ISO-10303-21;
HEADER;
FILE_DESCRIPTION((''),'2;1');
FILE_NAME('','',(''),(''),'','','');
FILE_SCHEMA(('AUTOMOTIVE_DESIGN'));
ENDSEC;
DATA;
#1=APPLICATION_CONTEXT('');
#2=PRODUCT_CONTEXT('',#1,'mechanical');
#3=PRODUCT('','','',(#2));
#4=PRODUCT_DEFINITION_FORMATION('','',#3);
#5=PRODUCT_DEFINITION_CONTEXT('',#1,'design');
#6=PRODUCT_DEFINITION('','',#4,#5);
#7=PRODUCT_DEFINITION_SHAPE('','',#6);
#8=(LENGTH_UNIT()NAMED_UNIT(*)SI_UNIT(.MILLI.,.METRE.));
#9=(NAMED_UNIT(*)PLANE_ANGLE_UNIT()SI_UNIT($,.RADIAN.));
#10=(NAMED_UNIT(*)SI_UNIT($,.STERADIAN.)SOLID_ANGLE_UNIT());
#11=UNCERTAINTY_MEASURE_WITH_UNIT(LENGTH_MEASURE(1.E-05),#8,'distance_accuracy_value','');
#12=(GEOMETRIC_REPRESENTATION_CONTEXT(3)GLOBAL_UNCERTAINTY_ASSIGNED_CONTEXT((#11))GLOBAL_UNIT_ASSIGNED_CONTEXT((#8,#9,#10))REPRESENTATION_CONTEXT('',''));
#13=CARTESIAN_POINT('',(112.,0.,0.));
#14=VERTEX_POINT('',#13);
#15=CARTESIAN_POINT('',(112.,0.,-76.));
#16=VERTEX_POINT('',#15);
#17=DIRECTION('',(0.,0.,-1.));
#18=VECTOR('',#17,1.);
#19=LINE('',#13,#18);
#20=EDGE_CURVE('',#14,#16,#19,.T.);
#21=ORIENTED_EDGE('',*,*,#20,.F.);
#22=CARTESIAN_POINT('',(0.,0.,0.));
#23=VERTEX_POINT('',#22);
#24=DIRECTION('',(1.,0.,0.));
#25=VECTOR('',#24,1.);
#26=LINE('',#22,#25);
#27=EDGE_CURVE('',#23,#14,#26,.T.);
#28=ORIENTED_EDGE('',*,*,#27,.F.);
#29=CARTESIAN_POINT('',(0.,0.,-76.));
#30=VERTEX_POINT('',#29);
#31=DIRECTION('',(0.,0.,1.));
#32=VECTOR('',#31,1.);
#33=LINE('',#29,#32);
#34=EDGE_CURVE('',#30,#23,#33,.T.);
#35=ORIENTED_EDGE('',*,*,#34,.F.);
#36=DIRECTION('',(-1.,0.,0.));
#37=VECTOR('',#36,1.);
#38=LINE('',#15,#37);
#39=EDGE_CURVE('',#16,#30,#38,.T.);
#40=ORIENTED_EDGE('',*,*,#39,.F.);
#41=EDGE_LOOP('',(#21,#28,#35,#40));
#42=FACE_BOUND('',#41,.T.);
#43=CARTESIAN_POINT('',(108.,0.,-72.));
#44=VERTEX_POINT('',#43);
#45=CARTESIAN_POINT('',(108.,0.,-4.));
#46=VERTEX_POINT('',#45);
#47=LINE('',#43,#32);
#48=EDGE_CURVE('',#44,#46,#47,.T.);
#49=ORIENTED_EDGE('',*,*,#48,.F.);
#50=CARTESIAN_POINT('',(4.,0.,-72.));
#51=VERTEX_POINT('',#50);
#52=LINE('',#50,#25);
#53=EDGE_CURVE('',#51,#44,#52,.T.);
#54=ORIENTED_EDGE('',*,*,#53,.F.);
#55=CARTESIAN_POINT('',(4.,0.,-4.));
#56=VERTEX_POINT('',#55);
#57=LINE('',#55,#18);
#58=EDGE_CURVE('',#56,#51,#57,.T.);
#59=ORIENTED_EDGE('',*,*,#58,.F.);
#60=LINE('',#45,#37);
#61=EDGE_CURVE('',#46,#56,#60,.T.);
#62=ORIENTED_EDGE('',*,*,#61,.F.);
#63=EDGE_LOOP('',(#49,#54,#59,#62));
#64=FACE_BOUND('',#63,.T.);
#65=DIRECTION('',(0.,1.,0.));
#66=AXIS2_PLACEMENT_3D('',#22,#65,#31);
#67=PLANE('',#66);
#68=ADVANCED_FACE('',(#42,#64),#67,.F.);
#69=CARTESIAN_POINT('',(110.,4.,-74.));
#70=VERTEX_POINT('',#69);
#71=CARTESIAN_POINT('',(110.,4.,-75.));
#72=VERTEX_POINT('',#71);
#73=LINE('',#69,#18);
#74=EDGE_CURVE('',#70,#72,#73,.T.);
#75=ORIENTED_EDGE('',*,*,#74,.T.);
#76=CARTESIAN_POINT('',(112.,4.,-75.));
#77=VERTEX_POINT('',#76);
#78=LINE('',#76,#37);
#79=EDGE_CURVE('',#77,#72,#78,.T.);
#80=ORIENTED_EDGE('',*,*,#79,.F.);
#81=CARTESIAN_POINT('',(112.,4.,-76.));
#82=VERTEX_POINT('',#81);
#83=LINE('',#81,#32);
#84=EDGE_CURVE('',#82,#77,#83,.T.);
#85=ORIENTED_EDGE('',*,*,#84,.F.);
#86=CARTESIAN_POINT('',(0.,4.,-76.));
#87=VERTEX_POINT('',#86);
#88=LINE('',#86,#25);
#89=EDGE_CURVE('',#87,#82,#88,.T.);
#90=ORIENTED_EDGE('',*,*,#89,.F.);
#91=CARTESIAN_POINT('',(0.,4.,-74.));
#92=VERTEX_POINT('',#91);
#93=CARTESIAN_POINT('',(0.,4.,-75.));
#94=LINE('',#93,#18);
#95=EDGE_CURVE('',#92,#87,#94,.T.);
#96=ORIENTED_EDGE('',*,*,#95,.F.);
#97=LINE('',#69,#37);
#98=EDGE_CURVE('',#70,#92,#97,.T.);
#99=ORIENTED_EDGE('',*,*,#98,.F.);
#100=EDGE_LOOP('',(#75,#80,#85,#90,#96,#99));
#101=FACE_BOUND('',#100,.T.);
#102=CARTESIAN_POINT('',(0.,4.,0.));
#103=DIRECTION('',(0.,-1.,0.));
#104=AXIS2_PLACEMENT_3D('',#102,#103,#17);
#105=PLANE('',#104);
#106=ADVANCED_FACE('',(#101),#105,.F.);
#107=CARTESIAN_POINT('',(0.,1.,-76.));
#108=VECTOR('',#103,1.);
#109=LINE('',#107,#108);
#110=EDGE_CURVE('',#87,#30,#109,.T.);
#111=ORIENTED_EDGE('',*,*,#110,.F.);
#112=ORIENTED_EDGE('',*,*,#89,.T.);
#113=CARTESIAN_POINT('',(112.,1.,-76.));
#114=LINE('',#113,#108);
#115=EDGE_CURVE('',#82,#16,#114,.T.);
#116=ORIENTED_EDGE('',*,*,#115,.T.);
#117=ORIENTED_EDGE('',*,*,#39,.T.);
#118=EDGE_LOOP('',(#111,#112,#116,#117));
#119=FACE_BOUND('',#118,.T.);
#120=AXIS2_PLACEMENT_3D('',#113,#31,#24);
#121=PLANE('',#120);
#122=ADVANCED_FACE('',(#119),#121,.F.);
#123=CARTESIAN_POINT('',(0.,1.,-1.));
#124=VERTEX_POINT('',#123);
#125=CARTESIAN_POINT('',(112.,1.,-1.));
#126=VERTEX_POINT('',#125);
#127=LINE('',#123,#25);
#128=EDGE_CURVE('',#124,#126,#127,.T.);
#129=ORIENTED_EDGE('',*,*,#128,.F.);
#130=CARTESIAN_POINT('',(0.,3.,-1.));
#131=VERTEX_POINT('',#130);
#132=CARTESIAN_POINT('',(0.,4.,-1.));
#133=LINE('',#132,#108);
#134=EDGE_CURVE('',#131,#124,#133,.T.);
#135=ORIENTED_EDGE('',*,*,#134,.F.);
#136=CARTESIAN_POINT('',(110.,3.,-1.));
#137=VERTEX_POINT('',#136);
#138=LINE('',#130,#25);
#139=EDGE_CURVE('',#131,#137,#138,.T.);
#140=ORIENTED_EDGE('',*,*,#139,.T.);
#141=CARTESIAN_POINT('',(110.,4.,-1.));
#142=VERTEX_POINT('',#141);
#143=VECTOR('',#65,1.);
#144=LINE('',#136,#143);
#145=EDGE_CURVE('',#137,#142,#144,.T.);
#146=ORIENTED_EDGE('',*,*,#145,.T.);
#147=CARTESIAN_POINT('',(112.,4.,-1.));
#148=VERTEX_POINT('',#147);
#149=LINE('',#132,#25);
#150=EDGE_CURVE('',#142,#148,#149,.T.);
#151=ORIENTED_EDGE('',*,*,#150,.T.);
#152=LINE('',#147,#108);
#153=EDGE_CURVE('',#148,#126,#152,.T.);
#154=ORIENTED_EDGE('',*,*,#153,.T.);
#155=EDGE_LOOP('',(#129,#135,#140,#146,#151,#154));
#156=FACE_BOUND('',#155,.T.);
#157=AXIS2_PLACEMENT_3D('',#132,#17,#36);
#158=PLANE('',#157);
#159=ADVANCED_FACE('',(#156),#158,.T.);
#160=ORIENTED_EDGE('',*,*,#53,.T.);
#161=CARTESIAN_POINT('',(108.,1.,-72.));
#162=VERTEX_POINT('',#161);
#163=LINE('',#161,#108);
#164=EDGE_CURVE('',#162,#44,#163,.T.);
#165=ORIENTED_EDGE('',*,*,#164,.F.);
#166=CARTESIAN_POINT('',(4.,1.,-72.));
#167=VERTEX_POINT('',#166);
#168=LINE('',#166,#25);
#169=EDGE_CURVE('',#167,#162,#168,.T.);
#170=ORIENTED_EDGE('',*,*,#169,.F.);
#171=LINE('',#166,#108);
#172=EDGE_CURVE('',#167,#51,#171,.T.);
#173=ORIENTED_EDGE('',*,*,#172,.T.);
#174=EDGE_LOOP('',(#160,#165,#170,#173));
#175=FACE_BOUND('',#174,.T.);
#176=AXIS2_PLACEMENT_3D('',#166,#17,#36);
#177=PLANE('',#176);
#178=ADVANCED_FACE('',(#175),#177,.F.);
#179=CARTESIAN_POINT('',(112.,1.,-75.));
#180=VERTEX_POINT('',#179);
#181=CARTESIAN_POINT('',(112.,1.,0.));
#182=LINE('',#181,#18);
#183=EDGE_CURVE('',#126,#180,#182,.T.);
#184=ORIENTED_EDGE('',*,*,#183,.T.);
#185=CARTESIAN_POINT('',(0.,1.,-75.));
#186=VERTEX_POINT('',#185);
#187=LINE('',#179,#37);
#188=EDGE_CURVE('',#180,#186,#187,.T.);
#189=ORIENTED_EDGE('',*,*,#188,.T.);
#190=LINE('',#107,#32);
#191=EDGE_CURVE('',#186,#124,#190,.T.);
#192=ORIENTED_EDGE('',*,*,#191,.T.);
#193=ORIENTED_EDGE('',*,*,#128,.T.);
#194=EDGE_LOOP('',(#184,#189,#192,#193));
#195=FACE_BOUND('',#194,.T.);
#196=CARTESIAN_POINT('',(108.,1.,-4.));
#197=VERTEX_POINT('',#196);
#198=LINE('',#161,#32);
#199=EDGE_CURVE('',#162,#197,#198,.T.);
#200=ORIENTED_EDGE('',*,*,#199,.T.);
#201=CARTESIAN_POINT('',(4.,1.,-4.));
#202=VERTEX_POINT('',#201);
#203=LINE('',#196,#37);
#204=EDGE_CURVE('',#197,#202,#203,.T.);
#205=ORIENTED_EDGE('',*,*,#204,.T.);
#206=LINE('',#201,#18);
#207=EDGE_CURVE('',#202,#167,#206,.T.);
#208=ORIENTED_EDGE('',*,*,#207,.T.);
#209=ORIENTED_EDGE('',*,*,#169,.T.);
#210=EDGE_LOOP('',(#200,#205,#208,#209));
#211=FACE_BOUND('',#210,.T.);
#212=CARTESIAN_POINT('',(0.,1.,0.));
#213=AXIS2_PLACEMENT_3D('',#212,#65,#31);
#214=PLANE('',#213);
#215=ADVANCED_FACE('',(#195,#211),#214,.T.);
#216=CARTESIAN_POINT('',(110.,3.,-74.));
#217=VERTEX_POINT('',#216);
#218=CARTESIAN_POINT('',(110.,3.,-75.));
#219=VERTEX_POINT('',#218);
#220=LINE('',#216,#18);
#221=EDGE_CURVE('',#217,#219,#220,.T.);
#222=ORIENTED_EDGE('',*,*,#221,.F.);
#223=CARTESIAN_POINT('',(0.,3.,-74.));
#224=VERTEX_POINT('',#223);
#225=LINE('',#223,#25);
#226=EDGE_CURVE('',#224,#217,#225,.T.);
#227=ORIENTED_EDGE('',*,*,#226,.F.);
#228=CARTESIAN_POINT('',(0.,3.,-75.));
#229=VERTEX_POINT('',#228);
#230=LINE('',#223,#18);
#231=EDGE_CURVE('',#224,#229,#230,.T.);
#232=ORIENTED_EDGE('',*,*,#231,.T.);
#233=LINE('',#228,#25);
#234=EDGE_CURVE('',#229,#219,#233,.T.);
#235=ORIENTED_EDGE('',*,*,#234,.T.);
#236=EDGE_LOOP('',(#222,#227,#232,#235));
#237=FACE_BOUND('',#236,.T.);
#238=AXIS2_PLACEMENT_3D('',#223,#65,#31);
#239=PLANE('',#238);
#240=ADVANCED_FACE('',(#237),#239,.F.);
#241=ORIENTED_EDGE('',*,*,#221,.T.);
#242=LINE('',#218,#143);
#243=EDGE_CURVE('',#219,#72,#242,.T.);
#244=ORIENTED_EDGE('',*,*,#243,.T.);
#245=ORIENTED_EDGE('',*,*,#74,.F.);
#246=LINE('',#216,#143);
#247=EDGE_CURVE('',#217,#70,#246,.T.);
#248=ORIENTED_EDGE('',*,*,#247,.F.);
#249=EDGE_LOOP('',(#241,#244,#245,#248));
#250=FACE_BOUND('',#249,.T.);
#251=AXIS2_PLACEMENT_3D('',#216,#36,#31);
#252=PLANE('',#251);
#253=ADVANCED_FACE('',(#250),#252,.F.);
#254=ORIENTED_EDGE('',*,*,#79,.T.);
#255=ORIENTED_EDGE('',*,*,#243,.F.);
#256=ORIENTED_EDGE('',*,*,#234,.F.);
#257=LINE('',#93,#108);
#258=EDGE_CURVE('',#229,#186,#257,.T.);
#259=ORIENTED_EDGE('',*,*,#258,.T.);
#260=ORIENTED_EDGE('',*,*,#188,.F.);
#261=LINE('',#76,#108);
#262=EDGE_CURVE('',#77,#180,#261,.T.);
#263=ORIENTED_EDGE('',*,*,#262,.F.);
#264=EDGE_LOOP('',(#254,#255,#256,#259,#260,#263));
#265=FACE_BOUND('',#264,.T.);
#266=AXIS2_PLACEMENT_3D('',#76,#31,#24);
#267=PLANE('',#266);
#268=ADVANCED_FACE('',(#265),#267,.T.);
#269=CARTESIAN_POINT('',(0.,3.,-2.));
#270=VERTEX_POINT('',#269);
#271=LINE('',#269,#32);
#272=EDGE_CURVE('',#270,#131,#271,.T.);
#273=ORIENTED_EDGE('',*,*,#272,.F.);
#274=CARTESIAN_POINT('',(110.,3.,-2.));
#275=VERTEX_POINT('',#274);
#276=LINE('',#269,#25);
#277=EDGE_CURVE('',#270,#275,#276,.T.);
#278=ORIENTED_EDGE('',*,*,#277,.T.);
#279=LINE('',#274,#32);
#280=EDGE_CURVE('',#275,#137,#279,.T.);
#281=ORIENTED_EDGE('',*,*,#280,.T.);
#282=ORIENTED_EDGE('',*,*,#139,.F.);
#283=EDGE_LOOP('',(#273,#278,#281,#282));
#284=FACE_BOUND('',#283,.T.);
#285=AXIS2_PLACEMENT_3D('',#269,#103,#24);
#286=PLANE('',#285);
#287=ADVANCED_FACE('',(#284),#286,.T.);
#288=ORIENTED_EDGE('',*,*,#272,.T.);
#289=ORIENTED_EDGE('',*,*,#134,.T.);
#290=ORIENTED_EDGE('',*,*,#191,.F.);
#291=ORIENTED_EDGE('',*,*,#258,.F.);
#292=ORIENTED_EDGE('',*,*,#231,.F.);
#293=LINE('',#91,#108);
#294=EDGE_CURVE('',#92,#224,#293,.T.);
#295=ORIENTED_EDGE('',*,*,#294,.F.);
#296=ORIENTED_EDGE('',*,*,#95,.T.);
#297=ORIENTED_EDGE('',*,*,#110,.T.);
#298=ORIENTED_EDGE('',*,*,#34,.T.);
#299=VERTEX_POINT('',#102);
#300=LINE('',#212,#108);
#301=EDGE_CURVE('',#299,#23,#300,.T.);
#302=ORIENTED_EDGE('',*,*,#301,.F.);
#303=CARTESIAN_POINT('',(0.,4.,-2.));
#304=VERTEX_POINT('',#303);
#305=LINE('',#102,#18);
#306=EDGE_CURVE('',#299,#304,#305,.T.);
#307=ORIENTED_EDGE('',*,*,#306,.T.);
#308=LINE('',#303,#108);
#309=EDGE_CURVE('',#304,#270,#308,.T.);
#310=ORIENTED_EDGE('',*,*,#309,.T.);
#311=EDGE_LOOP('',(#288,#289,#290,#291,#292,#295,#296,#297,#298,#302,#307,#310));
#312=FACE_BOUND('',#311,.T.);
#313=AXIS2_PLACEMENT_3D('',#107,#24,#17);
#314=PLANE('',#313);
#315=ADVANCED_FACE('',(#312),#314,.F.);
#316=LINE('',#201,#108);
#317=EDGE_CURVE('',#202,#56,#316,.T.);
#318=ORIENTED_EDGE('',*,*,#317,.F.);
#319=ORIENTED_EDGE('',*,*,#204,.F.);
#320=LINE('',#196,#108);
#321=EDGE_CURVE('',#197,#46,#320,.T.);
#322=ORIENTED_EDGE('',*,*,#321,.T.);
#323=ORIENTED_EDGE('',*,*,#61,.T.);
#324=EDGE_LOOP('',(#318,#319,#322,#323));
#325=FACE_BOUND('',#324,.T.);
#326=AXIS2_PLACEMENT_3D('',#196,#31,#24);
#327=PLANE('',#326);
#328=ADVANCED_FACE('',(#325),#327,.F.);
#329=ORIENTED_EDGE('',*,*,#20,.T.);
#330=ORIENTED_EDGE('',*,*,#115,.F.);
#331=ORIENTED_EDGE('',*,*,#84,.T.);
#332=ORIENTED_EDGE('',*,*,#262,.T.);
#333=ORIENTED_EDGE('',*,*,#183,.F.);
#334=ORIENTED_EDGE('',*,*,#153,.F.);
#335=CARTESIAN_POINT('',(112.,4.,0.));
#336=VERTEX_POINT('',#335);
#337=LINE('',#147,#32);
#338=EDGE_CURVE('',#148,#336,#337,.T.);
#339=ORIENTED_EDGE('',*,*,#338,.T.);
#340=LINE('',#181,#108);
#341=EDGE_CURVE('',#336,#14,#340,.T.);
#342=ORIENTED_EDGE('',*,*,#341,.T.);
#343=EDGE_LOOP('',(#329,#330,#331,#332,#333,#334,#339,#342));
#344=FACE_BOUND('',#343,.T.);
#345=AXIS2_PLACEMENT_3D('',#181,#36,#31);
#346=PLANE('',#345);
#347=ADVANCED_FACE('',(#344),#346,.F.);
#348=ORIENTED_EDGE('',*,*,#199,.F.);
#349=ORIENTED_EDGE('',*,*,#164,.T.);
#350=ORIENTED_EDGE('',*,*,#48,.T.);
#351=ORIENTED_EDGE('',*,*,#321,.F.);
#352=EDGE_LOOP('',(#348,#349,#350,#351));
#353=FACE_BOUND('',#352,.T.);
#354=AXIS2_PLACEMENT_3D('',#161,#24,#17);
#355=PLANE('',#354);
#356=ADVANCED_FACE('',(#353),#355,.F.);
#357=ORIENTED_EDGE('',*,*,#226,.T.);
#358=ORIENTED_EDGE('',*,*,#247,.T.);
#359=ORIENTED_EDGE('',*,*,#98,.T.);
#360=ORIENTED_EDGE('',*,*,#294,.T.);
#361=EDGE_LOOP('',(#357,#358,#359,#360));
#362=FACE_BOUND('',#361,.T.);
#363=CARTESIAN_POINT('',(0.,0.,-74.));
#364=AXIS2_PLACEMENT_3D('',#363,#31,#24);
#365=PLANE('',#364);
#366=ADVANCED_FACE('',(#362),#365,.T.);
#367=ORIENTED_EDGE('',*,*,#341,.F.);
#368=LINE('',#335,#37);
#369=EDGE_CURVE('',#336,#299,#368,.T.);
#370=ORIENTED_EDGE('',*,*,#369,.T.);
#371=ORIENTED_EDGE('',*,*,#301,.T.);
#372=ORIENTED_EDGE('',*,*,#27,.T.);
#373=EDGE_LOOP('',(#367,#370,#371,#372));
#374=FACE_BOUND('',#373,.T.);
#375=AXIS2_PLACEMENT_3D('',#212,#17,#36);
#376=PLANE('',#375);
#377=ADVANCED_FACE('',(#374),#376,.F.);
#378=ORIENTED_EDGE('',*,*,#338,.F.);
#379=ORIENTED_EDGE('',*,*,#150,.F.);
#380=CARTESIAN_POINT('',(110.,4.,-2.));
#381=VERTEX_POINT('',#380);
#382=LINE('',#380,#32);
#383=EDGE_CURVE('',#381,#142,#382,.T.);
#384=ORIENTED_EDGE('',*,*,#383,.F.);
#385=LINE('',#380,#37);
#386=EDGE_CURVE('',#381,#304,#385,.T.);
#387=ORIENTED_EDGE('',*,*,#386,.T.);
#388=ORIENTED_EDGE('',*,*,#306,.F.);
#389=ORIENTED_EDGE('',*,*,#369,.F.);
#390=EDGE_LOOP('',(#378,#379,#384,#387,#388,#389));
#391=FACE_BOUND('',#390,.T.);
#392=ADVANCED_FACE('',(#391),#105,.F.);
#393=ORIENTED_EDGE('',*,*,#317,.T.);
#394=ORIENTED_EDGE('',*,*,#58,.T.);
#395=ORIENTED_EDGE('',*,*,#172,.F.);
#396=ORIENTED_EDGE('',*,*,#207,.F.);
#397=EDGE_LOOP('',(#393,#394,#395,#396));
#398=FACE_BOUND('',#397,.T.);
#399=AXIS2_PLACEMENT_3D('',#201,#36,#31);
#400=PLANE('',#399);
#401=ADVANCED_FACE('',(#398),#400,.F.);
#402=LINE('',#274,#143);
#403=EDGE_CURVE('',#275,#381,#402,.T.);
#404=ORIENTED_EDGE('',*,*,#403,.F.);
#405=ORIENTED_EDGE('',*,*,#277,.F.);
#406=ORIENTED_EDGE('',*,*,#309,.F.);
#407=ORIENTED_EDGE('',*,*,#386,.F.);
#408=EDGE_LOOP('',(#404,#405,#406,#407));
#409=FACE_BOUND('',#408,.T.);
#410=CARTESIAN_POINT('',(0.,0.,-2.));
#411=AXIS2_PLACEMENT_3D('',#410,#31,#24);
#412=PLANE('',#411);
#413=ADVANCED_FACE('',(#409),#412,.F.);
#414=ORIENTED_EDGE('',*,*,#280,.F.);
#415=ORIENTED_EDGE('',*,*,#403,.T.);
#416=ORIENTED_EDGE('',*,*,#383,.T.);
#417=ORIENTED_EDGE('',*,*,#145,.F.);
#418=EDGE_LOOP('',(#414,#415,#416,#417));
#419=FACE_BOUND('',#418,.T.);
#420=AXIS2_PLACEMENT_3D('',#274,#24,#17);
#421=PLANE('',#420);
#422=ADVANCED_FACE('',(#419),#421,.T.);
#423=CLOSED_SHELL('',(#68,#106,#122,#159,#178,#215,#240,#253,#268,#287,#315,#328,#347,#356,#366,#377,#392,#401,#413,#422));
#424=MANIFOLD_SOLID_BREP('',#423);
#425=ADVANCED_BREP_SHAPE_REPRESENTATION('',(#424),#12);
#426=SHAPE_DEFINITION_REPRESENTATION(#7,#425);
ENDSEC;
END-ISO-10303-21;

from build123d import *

# Parameters (mm, degrees)
CROQUIS1_W              = 112
CROQUIS1_H              = 76
CROQUIS1_W_2            = 104
CROQUIS1_H_2            = 68
SALIENTE_EXTRUIR3_DEPTH = 1
CROQUIS2_W              = 112
CROQUIS2_H              = 1
SALIENTE_EXTRUIR4_DEPTH = 3
CROQUIS3_W              = 110
CROQUIS3_H              = 1
SALIENTE_EXTRUIR7_DEPTH = 1
CROQUIS5_W              = 110
CROQUIS5_H              = 1
SALIENTE_EXTRUIR8_DEPTH = 1


with BuildPart() as part:
    # Croquis1 → Saliente-Extruir3 (new body)
    with BuildSketch(Plane(origin=(0, 0, 0), x_dir=(1, 0, 0), z_dir=(0, 1, 0))):
        with Locations((56, 38)):
            Rectangle(CROQUIS1_W, CROQUIS1_H)
        with Locations((56, 38)):
            Rectangle(CROQUIS1_W_2, CROQUIS1_H_2, mode=Mode.SUBTRACT)
    extrude(amount=SALIENTE_EXTRUIR3_DEPTH)

    # Croquis2 → Saliente-Extruir4 (add)
    with BuildSketch(Plane(origin=(0, 1, 0), x_dir=(1, 0, 0), z_dir=(0, 1, 0))):
        with Locations((56, 75.5)):
            Rectangle(CROQUIS2_W, CROQUIS2_H)
        with Locations((56, 0.5)):
            Rectangle(CROQUIS2_W, CROQUIS2_H)
    extrude(amount=SALIENTE_EXTRUIR4_DEPTH)

    # Croquis3 → Saliente-Extruir7 (add)
    with BuildSketch(Plane(origin=(0, 0, -1), x_dir=(-1, 0, 0), z_dir=(0, 0, -1))):
        with Locations((-55, 3.5)):
            Rectangle(CROQUIS3_W, CROQUIS3_H)
    extrude(amount=SALIENTE_EXTRUIR7_DEPTH)

    # Croquis5 → Saliente-Extruir8 (add)
    with BuildSketch(Plane.XY.offset(-75)):
        with Locations((55, 3.5)):
            Rectangle(CROQUIS5_W, CROQUIS5_H)
    extrude(amount=SALIENTE_EXTRUIR8_DEPTH)


solid = part.part
